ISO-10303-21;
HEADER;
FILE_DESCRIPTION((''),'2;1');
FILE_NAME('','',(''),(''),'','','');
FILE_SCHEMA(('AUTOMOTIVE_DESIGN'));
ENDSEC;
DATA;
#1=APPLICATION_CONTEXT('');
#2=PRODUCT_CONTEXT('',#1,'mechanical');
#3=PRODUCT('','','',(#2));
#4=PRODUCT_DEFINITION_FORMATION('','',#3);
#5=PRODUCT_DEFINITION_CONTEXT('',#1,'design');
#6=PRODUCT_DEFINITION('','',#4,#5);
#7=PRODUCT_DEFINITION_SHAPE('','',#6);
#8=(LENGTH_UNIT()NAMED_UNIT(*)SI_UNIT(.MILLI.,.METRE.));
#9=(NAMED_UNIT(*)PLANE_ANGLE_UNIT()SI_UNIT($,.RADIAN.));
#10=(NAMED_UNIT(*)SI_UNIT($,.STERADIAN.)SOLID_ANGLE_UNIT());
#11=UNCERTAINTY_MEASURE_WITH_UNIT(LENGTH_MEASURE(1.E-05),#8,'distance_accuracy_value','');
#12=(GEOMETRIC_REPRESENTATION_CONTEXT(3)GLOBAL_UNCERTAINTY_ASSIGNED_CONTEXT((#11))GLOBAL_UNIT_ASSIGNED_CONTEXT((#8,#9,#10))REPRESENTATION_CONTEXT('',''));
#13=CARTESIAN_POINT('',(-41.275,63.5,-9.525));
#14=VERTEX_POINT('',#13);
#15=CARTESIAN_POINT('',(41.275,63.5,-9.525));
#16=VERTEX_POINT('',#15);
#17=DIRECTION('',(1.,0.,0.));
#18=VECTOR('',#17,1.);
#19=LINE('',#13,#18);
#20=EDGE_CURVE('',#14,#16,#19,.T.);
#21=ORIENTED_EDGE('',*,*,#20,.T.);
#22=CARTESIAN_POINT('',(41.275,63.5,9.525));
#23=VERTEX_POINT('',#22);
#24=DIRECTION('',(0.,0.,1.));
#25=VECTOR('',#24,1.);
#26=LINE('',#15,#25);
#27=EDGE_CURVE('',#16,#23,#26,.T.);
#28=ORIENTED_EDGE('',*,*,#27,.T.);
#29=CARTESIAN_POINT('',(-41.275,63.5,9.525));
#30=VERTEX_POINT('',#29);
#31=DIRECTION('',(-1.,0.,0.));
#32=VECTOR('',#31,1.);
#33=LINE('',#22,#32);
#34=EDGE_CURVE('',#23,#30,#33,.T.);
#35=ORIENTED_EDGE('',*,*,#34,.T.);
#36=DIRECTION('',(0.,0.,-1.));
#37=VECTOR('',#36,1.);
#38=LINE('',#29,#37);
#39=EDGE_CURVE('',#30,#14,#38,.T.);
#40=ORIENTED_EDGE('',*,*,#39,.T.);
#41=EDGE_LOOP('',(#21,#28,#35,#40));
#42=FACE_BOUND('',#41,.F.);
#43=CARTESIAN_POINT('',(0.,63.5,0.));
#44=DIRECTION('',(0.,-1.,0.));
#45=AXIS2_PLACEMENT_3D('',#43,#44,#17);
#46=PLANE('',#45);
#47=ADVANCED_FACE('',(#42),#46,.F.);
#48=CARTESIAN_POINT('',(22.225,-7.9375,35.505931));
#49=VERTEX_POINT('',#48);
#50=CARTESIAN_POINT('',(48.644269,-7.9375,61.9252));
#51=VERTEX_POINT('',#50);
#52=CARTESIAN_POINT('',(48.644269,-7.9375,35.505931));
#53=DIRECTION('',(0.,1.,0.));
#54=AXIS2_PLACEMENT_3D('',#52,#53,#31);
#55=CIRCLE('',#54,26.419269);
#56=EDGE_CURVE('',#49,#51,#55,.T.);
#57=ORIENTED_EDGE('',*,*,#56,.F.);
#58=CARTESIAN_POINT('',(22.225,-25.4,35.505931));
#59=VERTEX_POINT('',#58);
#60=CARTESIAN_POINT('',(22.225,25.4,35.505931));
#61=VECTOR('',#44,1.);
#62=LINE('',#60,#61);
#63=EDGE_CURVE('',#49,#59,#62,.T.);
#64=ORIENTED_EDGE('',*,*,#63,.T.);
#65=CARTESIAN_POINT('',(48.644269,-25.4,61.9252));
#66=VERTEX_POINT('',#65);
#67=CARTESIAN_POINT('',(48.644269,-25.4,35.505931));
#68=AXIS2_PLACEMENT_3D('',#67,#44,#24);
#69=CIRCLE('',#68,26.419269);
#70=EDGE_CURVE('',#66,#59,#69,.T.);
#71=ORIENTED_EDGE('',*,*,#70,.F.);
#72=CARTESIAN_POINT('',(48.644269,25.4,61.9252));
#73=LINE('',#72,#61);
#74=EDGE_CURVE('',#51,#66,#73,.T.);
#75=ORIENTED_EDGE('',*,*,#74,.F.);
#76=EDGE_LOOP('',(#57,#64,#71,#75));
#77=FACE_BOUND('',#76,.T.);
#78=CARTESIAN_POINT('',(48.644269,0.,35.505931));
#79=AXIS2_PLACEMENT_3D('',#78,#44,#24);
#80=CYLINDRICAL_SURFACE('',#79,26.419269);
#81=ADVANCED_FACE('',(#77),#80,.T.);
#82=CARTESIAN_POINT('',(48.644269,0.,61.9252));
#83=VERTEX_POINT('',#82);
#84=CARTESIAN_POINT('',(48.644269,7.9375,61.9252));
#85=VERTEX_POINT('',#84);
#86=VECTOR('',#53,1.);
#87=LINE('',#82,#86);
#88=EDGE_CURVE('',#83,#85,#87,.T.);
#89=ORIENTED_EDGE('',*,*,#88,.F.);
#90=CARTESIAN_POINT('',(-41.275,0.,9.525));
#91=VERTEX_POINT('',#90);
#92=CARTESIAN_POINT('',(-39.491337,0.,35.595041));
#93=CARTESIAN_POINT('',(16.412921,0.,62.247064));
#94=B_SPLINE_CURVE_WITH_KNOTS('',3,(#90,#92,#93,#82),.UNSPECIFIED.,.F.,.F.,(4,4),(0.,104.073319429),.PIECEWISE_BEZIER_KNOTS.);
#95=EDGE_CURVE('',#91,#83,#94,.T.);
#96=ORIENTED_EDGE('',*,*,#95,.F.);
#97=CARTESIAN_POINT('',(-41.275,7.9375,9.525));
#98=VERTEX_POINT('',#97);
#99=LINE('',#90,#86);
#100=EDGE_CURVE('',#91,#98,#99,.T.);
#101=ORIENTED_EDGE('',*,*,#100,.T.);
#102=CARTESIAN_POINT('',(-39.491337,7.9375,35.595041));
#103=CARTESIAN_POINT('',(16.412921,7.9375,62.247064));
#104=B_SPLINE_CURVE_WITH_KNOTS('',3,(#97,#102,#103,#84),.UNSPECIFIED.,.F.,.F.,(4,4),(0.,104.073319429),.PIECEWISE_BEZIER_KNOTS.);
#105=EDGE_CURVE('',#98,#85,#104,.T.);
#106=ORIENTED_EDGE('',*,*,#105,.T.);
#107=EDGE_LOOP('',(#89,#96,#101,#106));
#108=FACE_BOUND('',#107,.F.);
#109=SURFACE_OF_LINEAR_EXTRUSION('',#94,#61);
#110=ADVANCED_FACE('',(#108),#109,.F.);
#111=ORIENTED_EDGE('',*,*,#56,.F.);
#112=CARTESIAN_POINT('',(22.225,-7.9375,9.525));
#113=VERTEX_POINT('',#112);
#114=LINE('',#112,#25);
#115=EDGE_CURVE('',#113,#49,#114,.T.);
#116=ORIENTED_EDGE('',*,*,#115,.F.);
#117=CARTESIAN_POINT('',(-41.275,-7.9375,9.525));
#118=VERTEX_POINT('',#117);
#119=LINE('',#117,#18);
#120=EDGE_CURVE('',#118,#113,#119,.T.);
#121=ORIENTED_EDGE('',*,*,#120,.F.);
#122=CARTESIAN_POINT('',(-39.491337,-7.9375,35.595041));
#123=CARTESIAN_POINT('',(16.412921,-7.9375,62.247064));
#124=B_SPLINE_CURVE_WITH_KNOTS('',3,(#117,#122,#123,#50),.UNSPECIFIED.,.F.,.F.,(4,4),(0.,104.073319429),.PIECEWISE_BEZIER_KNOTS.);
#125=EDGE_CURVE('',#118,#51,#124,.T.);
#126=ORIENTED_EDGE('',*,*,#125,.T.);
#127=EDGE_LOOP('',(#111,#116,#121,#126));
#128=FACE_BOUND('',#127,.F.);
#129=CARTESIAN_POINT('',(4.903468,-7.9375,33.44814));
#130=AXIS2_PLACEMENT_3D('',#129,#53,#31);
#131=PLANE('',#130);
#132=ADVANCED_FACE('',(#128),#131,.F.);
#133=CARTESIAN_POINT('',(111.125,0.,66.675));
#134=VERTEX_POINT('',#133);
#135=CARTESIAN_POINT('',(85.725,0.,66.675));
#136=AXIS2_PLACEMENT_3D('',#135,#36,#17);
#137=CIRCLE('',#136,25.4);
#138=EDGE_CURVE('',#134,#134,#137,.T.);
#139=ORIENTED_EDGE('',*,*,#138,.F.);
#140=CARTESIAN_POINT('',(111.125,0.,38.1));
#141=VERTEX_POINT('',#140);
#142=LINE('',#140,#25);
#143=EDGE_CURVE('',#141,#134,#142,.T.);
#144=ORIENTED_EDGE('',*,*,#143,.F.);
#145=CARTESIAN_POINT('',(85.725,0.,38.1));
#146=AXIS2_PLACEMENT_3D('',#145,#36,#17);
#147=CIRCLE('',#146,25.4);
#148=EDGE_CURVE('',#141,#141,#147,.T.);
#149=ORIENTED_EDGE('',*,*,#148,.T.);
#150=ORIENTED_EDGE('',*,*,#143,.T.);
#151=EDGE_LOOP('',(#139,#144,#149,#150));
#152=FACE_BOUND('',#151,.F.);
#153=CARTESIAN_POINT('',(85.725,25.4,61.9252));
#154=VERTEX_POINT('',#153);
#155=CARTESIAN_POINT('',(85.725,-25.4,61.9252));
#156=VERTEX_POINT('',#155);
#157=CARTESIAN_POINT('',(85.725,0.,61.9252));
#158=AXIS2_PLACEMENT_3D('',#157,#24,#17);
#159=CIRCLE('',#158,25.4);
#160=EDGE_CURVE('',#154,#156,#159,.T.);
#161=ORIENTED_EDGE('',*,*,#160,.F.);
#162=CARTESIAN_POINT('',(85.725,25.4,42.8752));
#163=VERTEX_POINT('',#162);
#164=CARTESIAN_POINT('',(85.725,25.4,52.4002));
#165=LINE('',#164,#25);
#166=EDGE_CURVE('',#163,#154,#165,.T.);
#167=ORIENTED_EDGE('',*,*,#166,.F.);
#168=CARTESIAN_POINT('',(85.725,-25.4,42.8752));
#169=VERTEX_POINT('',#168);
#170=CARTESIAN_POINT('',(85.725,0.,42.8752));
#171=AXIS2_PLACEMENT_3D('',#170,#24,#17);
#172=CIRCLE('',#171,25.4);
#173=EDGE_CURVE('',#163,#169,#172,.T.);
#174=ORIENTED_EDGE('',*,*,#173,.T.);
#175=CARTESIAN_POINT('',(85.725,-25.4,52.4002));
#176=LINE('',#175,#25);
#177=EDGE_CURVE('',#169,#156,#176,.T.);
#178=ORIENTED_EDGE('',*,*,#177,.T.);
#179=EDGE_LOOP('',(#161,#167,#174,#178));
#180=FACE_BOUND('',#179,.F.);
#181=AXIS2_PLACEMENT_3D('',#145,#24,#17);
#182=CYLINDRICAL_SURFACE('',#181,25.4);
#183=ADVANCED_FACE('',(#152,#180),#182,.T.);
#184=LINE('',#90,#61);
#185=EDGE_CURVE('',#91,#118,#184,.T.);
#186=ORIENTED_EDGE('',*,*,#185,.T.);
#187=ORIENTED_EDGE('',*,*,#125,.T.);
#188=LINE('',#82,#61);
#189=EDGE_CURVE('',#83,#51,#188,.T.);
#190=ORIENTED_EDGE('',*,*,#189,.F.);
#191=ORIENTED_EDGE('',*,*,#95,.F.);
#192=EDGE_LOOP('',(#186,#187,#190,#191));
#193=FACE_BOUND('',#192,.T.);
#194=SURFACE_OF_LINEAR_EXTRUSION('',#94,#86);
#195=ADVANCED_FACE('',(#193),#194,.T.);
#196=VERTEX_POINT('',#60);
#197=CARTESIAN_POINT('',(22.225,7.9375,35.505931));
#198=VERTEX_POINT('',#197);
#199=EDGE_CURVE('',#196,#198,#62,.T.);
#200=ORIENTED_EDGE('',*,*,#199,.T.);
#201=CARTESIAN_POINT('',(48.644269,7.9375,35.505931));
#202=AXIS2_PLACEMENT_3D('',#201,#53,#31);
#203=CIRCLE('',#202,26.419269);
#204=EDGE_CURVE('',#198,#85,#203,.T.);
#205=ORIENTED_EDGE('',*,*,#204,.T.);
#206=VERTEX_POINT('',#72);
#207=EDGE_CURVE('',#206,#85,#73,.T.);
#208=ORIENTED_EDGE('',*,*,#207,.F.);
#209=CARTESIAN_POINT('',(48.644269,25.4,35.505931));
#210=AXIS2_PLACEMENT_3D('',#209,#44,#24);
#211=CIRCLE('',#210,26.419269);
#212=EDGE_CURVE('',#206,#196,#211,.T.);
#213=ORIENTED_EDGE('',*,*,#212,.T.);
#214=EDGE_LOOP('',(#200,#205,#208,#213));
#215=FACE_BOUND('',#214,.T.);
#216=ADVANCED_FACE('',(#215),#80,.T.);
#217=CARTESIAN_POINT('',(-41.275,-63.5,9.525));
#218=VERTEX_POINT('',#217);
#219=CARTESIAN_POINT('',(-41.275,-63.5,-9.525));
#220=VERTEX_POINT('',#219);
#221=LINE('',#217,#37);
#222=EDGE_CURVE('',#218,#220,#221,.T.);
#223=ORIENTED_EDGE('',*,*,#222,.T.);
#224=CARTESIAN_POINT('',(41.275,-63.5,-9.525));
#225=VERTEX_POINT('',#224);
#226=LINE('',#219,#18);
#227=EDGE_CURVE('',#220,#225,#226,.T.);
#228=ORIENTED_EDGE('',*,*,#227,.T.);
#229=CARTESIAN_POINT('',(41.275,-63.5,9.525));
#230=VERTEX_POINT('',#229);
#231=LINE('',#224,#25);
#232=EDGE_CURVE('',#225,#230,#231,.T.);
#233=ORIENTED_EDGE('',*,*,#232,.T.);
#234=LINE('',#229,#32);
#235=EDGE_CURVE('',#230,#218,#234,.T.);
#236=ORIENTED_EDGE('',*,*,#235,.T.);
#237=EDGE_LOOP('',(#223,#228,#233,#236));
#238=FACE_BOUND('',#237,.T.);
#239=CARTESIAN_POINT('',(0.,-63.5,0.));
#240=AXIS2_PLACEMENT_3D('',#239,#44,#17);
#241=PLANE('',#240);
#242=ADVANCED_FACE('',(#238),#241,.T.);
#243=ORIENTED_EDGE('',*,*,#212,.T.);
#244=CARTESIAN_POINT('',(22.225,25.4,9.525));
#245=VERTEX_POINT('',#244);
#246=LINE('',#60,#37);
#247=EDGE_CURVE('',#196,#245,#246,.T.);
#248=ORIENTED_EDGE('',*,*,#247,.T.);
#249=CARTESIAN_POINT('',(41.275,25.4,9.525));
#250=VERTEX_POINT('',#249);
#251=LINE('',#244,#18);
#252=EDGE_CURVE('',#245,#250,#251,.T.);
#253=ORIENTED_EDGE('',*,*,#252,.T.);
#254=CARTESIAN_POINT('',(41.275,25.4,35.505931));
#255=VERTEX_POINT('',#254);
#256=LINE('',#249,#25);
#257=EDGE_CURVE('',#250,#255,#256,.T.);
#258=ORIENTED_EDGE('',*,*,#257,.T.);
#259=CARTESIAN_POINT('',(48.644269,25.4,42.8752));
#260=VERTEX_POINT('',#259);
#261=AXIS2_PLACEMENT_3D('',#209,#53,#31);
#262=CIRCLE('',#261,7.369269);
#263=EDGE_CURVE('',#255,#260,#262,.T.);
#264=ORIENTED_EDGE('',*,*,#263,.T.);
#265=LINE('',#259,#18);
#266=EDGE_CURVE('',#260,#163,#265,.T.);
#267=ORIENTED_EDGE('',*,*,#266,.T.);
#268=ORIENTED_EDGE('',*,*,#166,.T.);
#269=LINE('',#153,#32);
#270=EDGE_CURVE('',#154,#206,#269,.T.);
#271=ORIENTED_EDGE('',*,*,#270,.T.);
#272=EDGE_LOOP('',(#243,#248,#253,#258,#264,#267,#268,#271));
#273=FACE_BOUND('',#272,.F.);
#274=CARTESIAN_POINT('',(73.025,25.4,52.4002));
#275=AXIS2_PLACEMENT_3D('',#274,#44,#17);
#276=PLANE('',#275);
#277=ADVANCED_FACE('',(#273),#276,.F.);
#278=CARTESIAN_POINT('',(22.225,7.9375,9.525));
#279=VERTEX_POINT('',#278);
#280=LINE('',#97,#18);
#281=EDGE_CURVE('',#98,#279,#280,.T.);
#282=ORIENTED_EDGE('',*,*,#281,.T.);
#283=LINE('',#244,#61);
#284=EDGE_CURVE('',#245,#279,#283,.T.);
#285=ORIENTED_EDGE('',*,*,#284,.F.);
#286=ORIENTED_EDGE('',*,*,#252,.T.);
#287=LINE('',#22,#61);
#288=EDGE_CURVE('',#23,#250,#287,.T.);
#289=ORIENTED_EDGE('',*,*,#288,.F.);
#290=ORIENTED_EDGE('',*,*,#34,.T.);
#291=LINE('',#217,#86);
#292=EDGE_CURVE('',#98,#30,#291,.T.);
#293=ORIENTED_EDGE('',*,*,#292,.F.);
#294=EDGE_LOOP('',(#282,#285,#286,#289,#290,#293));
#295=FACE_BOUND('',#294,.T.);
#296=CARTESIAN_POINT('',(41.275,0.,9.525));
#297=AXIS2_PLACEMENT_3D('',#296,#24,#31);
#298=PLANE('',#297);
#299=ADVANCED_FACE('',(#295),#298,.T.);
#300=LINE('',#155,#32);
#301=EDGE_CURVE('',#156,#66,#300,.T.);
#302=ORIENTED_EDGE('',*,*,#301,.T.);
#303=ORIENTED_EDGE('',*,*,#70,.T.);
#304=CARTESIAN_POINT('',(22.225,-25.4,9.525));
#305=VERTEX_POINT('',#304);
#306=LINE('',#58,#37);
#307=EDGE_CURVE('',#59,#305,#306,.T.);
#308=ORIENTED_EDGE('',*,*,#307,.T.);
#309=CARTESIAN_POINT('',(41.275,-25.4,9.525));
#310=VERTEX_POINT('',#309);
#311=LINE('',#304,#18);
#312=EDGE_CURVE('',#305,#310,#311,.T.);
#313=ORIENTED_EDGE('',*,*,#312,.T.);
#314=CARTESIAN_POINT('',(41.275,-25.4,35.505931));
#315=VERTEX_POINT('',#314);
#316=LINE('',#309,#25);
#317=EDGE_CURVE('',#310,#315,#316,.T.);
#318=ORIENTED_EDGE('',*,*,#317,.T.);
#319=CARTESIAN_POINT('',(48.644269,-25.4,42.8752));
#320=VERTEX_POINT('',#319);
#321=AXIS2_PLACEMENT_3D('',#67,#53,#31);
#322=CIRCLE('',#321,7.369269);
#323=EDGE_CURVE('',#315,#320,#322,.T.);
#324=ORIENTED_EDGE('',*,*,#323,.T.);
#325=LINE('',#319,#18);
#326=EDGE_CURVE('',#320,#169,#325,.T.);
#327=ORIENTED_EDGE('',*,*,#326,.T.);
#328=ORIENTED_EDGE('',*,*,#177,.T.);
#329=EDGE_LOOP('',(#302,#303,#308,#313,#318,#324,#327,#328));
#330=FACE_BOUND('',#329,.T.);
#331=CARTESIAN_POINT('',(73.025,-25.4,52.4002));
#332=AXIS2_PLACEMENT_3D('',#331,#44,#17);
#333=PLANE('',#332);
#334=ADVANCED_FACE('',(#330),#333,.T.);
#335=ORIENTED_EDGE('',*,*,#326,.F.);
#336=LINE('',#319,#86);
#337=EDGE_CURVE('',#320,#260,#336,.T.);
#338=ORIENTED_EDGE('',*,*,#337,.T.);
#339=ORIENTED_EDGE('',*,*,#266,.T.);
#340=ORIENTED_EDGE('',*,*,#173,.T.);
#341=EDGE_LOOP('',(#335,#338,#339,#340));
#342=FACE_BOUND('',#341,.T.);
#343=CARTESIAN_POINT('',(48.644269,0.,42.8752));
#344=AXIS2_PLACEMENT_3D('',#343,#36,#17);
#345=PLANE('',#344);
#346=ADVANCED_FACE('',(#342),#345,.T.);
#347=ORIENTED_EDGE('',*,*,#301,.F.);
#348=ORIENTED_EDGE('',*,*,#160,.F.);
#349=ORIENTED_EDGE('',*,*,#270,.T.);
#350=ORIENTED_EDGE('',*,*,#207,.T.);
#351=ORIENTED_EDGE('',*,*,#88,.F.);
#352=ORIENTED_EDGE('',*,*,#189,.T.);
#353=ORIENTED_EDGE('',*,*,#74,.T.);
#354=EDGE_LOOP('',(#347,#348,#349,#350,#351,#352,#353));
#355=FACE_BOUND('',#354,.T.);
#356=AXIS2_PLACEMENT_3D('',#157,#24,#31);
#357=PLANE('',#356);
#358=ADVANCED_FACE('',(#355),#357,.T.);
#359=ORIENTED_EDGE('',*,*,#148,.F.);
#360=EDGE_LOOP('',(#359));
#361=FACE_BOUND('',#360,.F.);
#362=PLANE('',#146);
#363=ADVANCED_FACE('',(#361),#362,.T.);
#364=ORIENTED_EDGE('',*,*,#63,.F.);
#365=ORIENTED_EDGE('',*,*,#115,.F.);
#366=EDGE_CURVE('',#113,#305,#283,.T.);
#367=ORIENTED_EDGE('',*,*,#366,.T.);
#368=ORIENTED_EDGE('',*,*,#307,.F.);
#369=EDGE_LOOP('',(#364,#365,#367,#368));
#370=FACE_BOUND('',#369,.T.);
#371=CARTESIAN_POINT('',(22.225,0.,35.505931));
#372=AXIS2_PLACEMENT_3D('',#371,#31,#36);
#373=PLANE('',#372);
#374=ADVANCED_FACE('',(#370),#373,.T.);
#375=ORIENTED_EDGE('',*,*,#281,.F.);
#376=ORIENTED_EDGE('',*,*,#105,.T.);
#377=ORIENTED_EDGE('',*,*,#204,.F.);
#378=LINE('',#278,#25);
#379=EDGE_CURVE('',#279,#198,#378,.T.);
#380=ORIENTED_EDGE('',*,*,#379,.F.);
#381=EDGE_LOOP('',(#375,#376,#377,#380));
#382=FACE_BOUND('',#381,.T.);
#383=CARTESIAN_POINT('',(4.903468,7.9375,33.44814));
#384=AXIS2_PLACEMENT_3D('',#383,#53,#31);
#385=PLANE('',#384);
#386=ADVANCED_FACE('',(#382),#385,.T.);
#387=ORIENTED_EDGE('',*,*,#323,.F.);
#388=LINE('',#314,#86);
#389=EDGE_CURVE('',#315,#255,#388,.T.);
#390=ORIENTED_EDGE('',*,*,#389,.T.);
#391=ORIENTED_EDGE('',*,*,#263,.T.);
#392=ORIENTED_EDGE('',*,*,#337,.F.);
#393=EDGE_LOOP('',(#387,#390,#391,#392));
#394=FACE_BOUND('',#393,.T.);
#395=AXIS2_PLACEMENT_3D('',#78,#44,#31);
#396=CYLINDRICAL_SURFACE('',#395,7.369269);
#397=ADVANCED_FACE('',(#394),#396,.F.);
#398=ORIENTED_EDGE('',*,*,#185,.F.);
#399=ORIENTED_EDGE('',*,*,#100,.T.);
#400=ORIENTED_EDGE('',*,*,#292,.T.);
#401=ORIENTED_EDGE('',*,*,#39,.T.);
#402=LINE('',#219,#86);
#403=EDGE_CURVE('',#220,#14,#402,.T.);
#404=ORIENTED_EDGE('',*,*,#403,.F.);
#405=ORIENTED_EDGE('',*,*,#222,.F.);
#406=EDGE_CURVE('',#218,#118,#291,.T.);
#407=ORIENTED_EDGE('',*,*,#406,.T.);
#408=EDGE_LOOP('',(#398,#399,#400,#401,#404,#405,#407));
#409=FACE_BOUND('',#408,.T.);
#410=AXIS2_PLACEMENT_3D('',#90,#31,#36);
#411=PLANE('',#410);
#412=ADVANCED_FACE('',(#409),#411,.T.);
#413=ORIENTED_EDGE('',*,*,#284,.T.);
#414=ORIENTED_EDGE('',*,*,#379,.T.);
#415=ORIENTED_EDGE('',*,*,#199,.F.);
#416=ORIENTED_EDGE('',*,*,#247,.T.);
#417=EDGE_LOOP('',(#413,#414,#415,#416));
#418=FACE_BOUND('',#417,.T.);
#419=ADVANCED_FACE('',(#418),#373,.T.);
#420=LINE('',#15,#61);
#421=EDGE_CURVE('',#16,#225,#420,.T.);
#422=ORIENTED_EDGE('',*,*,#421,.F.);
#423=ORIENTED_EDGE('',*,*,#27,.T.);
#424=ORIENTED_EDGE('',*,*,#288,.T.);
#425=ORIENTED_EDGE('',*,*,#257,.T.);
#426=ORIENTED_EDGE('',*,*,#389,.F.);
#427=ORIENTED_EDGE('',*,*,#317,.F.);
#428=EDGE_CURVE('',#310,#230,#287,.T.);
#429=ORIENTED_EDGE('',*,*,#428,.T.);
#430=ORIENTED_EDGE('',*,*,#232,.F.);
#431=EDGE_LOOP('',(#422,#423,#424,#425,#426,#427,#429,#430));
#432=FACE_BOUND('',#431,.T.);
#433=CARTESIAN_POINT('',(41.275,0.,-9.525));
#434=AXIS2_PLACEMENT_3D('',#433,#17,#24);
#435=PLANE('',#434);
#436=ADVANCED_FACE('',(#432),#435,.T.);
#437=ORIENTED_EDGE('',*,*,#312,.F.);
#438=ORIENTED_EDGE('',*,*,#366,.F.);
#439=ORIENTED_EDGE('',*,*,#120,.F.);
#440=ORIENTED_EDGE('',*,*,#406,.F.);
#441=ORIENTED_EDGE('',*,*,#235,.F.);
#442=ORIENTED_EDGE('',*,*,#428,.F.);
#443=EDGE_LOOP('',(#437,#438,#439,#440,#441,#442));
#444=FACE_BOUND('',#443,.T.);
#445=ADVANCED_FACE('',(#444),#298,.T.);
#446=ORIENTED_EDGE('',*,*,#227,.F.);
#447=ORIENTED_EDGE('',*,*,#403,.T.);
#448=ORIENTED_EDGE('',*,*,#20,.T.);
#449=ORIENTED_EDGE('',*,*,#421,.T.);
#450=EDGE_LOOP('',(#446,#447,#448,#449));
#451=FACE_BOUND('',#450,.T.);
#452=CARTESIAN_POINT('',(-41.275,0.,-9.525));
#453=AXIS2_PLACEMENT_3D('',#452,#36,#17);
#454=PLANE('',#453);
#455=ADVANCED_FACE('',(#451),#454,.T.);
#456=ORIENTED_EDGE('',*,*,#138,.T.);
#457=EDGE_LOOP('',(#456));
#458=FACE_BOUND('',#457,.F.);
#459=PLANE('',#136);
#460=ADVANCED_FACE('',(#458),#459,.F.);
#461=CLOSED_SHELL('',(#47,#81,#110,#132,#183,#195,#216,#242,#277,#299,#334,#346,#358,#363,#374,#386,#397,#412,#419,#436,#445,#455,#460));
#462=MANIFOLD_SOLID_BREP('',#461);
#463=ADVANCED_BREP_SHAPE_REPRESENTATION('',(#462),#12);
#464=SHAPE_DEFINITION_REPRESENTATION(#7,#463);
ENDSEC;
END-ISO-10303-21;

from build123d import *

# Parameters (mm, degrees)
F1_DEPTH = 63.5
F0_W     = 25.4
F0_H     = 19.0500000358
F2_DEPTH = 25.4
F3_DEPTH = 7.9375


with BuildPart() as f1:
    # F0 (on Front) → F1 (new body, symmetric)
    with BuildSketch(Plane.XZ):
        Polygon((-41.275, -9.525), (41.275, -9.525), (41.275, 9.525), (22.2249999642, 9.525), (-41.275, 9.525), align=None)
    extrude(amount=F1_DEPTH, both=True)

    # F0 (on Front) → F2 (join, symmetric)
    with BuildSketch(Plane.XZ):
        with Locations((73.025, 52.4002000179)):
            Rectangle(F0_W, F0_H)
        with BuildLine():
            Line((22.2249999642, 9.525), (41.275, 9.525))
            Line((41.275, 9.525), (41.275, 35.5059314692))
            ThreePointArc((41.275, 35.5059314692), (43.4334087803, 40.7167912197), (48.6442685308, 42.8752))
            Line((48.6442685308, 42.8752), (60.325, 42.8752))
            Line((60.325, 42.8752), (60.325, 61.9252000358))
            Line((60.325, 61.9252000358), (48.6442685308, 61.9252000358))
            ThreePointArc((48.6442685308, 61.9252000358), (29.9630245734, 54.1871754266), (22.2249999642, 35.5059314692))
            Line((22.2249999642, 35.5059314692), (22.2249999642, 9.525))
        make_face()
    extrude(amount=F2_DEPTH, both=True)

    # F0 (on Front) → F3 (join, symmetric)
    with BuildSketch(Plane.XZ):
        with BuildLine():
            add(Edge.make_bspline(
                [(-41.275, 9.525), (-39.4913367927, 35.5950407684), (16.4129212499, 62.2470639646), (48.6442685308, 61.9252000358)],
                knots=[0, 0, 0, 0, 104.0733194287, 104.0733194287, 104.0733194287, 104.0733194287], degree=3))
            Line((-41.275, 9.525), (22.2249999642, 9.525))
            Line((22.2249999642, 9.525), (22.2249999642, 35.5059314692))
            ThreePointArc((22.2249999642, 35.5059314692), (29.9630245734, 54.1871754266), (48.6442685308, 61.9252000358))
        make_face()
    extrude(amount=F3_DEPTH, both=True)

    # F0 (on Front) → F4 (revolve)
    with BuildSketch(Plane.XZ):
        Polygon((85.725, 66.675), (85.725, 61.9252000358), (85.725, 42.8752), (85.725, 38.1), (111.125, 38.1), (111.125, 66.675), align=None)
    revolve(axis=Axis((85.725, 0, 52.3875), (0, 0, -1)))


solid = f1.part
